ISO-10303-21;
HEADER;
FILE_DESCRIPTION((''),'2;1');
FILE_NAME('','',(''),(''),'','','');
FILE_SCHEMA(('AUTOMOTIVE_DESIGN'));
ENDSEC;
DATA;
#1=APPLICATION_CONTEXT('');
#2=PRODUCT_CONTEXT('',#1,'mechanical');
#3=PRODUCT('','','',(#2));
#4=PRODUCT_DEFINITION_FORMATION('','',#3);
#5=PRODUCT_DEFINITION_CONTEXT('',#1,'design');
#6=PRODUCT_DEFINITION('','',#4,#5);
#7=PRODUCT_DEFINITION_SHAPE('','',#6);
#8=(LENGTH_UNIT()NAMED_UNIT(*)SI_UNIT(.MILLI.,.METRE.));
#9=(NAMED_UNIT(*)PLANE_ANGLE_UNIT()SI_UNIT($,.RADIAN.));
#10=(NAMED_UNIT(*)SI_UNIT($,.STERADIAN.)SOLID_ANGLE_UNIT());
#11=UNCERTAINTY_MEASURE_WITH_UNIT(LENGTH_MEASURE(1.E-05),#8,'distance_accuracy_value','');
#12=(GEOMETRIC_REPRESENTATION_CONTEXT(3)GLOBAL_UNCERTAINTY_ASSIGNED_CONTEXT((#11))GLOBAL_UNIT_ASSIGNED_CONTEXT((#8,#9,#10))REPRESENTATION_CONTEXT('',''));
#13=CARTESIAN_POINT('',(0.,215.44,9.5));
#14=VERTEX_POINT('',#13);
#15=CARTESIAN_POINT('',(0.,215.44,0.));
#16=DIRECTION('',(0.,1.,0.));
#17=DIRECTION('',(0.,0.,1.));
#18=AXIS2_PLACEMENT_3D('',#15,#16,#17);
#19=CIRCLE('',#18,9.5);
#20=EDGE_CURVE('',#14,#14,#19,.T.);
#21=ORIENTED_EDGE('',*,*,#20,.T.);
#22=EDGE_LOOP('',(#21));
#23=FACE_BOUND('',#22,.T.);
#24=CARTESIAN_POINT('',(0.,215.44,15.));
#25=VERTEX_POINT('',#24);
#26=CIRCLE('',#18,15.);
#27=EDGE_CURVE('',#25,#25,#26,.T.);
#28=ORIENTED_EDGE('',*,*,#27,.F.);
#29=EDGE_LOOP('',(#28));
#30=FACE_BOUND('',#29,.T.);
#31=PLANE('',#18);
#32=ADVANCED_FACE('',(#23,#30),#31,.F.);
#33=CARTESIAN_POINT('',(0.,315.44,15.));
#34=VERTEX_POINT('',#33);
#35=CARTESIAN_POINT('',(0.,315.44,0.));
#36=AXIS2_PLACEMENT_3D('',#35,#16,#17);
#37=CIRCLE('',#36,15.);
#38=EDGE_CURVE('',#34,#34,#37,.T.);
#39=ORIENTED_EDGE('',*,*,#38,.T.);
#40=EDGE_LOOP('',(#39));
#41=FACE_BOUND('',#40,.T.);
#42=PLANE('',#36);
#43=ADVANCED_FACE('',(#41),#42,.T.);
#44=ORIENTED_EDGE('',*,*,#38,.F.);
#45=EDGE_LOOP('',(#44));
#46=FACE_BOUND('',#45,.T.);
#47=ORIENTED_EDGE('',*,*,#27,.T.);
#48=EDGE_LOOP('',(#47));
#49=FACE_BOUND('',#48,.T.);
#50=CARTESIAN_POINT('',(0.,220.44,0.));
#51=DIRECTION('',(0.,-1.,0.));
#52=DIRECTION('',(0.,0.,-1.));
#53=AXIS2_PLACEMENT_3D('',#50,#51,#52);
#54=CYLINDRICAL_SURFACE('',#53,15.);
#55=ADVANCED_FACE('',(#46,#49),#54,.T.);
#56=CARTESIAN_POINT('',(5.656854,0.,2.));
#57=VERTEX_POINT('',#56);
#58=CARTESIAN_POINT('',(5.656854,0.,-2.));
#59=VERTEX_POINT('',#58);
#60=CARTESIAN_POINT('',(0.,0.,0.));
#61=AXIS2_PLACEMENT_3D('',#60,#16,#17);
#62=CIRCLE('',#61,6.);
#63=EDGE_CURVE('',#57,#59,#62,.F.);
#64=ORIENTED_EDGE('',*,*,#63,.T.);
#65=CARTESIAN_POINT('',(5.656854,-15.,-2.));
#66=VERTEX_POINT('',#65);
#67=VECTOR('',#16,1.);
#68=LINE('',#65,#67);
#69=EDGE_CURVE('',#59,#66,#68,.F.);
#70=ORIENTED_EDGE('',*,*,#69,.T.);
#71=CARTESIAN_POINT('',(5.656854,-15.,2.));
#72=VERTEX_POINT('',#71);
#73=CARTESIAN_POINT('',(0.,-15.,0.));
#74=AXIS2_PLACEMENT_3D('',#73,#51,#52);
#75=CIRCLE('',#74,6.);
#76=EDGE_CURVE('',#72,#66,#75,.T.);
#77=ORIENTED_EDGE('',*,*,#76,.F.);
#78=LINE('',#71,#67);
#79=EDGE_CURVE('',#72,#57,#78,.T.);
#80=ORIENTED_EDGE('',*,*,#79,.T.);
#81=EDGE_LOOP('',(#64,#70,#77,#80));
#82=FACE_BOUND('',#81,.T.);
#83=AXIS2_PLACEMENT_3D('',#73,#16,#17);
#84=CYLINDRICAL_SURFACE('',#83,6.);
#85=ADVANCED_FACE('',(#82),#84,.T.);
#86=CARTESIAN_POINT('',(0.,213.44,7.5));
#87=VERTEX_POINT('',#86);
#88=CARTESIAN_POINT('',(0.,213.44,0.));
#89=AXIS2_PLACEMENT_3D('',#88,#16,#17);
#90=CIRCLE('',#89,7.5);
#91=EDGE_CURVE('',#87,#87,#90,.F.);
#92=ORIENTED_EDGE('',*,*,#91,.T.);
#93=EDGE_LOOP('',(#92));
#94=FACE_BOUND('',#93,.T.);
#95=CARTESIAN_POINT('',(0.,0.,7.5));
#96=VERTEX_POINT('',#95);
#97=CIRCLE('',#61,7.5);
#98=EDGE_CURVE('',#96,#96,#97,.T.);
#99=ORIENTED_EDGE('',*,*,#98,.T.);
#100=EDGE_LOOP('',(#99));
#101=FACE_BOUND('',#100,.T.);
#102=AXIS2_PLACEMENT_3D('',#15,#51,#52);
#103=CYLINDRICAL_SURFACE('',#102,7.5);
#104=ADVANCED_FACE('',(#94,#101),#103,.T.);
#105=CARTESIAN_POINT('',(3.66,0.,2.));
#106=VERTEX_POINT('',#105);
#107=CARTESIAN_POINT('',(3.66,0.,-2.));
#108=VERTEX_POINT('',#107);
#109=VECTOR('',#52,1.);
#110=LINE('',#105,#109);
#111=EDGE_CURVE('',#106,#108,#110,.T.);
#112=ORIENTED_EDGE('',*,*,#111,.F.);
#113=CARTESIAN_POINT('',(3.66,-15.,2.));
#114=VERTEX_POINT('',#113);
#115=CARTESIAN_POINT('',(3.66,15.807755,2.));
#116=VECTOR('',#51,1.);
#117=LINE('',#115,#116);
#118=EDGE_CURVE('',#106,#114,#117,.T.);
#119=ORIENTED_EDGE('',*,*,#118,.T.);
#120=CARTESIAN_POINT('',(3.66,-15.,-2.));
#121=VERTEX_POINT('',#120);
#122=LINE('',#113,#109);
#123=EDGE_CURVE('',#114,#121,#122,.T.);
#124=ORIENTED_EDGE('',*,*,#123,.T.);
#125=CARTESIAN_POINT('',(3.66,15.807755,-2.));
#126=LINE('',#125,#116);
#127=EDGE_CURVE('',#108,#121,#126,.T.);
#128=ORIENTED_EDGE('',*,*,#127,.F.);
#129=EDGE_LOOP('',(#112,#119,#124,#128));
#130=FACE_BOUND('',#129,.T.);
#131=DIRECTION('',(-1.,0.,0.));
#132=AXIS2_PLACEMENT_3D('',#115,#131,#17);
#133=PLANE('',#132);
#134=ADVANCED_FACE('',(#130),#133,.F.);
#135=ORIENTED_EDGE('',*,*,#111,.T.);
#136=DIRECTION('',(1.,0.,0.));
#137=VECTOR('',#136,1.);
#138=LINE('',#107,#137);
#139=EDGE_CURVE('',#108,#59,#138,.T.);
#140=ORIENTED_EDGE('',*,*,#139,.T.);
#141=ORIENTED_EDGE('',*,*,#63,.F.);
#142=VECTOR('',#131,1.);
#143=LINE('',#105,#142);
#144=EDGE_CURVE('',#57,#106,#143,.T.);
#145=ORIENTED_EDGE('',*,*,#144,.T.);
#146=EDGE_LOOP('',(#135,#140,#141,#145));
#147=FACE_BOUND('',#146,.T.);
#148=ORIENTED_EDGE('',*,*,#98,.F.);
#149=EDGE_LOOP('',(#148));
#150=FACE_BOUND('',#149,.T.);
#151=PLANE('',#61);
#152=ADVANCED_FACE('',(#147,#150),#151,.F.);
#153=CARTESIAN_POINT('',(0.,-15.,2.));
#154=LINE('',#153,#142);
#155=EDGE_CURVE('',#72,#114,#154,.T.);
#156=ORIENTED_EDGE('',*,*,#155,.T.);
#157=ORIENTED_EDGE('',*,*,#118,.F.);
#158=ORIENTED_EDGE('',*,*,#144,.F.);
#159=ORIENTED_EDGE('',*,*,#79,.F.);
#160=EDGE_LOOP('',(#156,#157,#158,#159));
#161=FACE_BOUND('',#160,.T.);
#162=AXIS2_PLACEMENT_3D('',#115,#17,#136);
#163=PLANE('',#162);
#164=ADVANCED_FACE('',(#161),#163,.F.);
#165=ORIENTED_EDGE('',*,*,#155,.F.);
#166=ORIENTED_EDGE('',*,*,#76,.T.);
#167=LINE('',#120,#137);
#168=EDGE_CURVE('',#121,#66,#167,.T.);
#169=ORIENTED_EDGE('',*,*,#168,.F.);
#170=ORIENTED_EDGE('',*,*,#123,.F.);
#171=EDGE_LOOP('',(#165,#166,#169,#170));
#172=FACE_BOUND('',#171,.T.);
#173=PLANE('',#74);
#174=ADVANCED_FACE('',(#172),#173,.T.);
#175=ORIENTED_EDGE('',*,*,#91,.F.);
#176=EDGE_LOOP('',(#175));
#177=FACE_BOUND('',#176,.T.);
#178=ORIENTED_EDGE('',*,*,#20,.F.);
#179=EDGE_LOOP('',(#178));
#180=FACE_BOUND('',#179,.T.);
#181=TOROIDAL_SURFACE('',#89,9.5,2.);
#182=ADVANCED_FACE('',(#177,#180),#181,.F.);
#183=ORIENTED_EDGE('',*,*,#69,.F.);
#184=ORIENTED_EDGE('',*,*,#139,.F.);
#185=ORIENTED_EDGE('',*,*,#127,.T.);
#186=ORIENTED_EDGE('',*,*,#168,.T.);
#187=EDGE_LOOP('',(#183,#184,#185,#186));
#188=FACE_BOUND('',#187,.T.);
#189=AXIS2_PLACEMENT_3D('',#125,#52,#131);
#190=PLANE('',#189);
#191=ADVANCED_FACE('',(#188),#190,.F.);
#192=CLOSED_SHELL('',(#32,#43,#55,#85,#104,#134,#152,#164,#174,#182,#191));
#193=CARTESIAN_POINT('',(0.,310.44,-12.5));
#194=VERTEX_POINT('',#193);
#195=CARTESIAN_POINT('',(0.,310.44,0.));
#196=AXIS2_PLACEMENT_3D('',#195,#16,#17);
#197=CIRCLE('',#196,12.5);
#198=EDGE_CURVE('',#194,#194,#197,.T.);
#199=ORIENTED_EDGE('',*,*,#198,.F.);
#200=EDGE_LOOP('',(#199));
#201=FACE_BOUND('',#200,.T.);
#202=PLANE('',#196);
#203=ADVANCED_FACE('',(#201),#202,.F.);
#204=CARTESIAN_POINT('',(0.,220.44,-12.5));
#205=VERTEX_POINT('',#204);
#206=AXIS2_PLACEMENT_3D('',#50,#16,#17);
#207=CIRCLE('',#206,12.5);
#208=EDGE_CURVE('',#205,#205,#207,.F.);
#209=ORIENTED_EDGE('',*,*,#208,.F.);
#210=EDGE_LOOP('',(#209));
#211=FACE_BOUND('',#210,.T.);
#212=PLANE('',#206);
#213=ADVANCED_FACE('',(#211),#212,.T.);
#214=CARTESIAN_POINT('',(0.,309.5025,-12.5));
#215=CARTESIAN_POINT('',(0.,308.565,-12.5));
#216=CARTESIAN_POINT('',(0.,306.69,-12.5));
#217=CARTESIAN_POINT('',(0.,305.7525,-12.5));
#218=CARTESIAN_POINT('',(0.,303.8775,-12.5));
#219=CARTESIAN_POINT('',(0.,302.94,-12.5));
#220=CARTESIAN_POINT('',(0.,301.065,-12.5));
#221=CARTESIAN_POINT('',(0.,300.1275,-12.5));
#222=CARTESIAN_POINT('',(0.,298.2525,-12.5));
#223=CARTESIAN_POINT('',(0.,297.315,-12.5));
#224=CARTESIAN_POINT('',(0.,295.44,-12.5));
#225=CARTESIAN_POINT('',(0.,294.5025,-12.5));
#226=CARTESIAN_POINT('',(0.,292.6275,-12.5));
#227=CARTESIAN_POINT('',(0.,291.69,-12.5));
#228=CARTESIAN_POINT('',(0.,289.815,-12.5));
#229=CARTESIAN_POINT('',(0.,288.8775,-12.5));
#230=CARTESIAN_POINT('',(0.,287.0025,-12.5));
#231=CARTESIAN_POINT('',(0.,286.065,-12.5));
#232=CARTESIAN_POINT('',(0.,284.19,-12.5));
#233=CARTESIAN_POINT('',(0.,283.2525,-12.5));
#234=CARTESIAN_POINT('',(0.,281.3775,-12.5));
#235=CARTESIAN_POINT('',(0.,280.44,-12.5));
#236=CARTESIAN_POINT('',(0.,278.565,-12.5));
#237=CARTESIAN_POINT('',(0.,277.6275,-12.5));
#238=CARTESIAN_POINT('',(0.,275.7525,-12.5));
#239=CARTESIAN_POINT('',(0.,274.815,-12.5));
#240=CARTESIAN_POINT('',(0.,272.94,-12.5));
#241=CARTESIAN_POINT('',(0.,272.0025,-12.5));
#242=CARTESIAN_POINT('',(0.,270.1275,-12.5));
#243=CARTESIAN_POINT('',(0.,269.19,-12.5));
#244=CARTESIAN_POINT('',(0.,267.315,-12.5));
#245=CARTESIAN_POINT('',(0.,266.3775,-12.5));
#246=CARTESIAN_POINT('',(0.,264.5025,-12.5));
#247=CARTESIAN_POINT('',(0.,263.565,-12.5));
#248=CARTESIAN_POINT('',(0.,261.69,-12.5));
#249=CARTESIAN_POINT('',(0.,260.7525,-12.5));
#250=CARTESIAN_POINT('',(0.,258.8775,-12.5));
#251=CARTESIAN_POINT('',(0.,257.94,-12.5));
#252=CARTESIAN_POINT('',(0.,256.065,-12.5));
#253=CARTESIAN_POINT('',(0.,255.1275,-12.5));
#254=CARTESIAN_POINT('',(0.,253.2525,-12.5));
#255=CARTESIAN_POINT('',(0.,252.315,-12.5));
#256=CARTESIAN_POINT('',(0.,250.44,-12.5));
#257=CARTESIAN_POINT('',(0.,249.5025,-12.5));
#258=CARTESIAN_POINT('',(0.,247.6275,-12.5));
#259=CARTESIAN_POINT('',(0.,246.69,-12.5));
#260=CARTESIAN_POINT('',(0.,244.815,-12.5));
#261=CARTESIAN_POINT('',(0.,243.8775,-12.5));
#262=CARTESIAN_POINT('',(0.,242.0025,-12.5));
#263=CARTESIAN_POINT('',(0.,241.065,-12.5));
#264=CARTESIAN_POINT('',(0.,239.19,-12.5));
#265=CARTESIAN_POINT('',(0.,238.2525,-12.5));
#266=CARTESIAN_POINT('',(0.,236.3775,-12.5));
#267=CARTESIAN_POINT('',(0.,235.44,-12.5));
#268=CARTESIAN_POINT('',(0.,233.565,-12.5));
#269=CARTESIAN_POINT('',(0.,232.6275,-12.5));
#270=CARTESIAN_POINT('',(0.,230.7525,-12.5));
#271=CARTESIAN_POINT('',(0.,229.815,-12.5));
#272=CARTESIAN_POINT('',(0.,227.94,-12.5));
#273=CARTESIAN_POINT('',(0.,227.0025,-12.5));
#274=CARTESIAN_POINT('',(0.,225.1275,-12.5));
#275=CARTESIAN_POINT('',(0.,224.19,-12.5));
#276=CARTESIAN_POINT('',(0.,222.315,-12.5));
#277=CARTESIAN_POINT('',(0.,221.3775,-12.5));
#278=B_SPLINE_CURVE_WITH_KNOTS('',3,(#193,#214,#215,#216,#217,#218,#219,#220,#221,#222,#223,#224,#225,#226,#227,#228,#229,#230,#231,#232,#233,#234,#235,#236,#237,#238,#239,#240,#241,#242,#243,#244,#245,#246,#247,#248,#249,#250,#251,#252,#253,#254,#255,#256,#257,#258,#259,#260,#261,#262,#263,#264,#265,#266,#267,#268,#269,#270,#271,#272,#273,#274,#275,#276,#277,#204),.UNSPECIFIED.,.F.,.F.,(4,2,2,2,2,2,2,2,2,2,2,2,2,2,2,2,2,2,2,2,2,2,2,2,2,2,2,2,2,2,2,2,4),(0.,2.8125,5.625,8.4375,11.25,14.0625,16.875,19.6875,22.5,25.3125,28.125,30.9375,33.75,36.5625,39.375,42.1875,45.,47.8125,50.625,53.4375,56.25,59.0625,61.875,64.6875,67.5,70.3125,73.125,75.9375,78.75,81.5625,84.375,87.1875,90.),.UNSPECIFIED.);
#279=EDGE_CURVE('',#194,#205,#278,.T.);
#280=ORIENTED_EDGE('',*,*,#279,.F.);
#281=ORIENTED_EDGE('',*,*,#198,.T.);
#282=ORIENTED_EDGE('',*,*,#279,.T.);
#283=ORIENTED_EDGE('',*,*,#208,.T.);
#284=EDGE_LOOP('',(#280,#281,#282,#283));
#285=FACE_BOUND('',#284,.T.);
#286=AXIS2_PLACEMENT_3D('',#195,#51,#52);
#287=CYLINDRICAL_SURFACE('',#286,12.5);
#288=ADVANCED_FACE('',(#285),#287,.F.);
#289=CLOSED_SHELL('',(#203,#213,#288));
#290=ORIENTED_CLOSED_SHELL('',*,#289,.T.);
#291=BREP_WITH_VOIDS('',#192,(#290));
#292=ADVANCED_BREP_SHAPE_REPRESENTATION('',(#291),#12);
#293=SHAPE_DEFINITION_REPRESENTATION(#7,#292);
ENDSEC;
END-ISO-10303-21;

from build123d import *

# Parameters (mm, degrees)
SKETCH1_R           = 7.5
BOSS_EXTRUDE1_DEPTH = 215.44
SKETCH5_R           = 15
BOSS_EXTRUDE5_DEPTH = 5
SKETCH6_R           = 15
SKETCH6_R_2         = 12.5
BOSS_EXTRUDE6_DEPTH = 90
SKETCH7_R           = 15
BOSS_EXTRUDE7_DEPTH = 5
FILLET2_R           = 2
SKETCH9_R           = 6
BOSS_EXTRUDE9_DEPTH = 15
SKETCH12_W          = 15.293303155
SKETCH12_H          = 4
CUT_EXTRUDE3_DEPTH  = 15


with BuildPart() as part:
    # Sketch1 → Boss-Extrude1 (new body)
    with BuildSketch(Plane(origin=(0, 0, 0), x_dir=(1, 0, 0), z_dir=(0, 1, 0))):
        with Locations(Location((0, 0, 0), (0, 0, 270))):
            Circle(SKETCH1_R)
    extrude(amount=BOSS_EXTRUDE1_DEPTH)

    # Sketch5 → Boss-Extrude5 (add)
    with BuildSketch(Plane(origin=(0, 215.44, 0), x_dir=(1, 0, 0), z_dir=(0, 1, 0))):
        with Locations(Location((0, 0, 0), (0, 0, 270))):
            Circle(SKETCH5_R)
    extrude(amount=BOSS_EXTRUDE5_DEPTH)

    # Sketch6 → Boss-Extrude6 (add)
    with BuildSketch(Plane(origin=(0, 220.44, 0), x_dir=(1, 0, 0), z_dir=(0, 1, 0))):
        with Locations(Location((0, 0, 0), (0, 0, 270))):
            Circle(SKETCH6_R)
        with Locations(Location((0, 0, 0), (0, 0, 90))):
            Circle(SKETCH6_R_2, mode=Mode.SUBTRACT)
    extrude(amount=BOSS_EXTRUDE6_DEPTH)

    # Sketch7 → Boss-Extrude7 (add)
    with BuildSketch(Plane(origin=(0, 310.44, 0), x_dir=(1, 0, 0), z_dir=(0, 1, 0))):
        with Locations(Location((0, 0, 0), (0, 0, 270))):
            Circle(SKETCH7_R)
    extrude(amount=BOSS_EXTRUDE7_DEPTH)

    # Fillet2
    fillet2_edges = [part.edges().sort_by_distance(p)[0] for p in [
        (0, 215.44, -7.5),
    ]]
    fillet(fillet2_edges, radius=FILLET2_R)

    # Sketch9 → Boss-Extrude9 (add)
    with BuildSketch(Plane.XZ):
        with Locations(Location((0, 0, 0), (0, 0, 90))):
            Circle(SKETCH9_R)
    extrude(amount=BOSS_EXTRUDE9_DEPTH)

    # Sketch12 → Cut-Extrude3 (cut)
    with BuildSketch(Plane.XZ.offset(15)):
        with Locations((11.306651578, 0)):
            Rectangle(SKETCH12_W, SKETCH12_H)
    extrude(amount=-CUT_EXTRUDE3_DEPTH, mode=Mode.SUBTRACT)


solid = part.part
